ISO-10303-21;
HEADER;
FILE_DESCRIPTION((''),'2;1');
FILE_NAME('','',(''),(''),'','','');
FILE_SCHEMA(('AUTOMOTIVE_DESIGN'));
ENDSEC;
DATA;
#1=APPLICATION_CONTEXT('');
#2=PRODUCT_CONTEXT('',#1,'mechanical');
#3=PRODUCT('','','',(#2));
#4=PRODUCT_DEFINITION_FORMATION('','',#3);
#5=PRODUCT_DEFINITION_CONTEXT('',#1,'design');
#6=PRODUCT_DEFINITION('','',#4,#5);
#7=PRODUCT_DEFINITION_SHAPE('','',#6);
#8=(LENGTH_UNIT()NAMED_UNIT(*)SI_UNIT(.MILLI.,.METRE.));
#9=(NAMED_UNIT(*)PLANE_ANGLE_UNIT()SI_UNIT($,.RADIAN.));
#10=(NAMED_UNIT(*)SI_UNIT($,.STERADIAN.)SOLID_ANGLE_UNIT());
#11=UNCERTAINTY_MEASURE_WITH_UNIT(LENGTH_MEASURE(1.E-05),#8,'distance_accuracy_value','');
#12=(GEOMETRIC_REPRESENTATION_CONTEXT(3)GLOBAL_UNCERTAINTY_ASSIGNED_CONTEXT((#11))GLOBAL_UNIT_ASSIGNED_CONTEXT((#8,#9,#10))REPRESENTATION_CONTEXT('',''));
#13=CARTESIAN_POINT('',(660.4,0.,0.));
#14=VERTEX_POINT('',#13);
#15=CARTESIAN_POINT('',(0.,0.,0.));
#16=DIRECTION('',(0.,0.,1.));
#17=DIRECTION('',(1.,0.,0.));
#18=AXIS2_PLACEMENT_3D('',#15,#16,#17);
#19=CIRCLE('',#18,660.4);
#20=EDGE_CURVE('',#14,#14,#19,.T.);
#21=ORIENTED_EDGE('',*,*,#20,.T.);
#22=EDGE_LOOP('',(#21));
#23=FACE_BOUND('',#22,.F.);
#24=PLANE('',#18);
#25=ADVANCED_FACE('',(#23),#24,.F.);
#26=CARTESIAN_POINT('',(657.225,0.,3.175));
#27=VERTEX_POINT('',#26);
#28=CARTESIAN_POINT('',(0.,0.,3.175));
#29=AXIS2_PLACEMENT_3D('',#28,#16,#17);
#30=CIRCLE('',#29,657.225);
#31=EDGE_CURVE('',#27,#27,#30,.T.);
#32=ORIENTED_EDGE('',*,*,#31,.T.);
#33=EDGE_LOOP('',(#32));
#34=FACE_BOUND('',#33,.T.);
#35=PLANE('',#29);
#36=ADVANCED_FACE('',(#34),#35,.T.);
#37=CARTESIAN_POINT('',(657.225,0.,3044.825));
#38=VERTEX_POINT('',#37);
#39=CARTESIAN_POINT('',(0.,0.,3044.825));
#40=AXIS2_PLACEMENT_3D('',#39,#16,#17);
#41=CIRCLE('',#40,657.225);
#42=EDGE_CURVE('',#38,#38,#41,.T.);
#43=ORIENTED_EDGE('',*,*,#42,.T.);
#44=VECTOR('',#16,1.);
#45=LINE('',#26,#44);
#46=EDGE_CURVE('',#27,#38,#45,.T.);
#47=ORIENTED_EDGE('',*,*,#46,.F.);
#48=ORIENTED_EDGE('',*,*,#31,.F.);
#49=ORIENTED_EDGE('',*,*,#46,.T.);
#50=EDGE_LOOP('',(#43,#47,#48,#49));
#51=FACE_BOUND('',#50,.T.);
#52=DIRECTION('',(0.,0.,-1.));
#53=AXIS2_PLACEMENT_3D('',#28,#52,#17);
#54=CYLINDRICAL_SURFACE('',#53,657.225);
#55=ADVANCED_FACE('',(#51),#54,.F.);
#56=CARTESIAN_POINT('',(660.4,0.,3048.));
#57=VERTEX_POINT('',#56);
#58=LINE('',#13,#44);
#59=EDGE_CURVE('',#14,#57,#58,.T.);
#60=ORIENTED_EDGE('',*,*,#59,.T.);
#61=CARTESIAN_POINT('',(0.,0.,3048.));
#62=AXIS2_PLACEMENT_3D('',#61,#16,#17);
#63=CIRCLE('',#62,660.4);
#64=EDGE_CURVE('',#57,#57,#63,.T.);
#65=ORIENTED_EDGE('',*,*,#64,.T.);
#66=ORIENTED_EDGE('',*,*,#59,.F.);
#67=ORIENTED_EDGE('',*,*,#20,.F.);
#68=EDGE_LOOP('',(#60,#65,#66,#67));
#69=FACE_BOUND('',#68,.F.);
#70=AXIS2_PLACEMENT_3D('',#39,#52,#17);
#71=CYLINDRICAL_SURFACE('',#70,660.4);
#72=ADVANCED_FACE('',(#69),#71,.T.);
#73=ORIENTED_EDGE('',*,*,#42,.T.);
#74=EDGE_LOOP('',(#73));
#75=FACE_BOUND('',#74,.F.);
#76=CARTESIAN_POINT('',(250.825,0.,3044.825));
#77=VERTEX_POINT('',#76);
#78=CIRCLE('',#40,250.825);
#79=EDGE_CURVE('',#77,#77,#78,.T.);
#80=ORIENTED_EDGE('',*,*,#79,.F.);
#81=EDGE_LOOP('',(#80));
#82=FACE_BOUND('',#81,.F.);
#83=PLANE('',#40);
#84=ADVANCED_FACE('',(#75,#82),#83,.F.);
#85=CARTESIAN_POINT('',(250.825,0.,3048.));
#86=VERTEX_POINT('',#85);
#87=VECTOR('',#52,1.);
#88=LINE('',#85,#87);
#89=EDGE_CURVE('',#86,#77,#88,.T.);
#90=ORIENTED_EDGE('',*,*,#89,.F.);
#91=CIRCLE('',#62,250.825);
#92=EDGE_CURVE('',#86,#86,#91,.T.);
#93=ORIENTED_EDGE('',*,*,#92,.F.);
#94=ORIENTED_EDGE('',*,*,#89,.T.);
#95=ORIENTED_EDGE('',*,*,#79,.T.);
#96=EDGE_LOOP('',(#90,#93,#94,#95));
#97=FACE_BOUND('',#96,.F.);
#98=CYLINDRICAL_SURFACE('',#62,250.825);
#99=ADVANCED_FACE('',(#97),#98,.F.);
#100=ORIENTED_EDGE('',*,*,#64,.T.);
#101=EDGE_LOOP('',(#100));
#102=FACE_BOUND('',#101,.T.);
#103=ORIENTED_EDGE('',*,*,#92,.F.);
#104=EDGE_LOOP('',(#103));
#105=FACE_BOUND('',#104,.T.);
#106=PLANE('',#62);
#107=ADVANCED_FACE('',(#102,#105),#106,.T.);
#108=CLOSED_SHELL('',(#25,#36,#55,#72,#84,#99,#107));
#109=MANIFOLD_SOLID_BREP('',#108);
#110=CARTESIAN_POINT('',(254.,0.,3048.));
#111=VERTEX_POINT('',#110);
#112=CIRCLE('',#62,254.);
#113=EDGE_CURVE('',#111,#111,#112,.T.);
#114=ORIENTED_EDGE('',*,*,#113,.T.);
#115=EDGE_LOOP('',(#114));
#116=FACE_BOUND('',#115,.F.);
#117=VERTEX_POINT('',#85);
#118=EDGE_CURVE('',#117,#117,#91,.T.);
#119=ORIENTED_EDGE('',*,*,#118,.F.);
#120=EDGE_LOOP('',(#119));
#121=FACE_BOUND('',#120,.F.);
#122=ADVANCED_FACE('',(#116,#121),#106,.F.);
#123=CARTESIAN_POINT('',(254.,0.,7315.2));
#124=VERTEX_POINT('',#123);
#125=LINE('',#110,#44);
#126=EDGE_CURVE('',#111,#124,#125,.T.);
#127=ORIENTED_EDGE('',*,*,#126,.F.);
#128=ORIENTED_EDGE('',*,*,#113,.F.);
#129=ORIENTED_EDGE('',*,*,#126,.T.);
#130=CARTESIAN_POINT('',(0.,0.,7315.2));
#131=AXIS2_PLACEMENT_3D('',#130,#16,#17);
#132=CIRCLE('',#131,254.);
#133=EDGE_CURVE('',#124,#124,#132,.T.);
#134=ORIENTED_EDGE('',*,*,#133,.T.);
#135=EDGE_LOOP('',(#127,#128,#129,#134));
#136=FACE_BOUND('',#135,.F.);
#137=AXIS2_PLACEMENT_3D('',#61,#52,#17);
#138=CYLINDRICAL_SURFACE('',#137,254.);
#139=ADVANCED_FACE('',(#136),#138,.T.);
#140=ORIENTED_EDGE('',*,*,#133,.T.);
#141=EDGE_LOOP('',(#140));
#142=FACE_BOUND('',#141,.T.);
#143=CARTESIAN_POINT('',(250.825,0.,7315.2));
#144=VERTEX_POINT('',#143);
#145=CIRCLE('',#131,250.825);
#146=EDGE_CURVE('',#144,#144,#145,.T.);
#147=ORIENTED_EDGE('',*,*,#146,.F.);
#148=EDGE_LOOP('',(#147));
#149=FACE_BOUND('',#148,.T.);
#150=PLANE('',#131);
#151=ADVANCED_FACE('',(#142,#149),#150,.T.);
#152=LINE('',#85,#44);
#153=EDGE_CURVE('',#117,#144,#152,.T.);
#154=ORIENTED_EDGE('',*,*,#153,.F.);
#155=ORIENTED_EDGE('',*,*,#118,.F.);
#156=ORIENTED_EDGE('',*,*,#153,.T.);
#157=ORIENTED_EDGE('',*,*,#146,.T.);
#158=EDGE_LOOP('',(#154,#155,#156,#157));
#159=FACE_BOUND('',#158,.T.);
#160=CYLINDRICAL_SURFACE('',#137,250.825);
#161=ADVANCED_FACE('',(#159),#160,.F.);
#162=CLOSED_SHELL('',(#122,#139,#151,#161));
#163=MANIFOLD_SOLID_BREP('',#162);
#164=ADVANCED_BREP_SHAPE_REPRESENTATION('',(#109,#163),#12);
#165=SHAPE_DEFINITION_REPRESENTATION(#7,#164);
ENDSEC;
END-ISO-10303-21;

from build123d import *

# Parameters (mm, degrees)
F0_R     = 660.4
F1_DEPTH = 3.175
F2_R     = 660.4
F2_R_2   = 657.225
F3_DEPTH = 3041.65
F4_R     = 660.4
F4_R_2   = 657.225
F5_DEPTH = 3.175
F6_R     = 250.825
F7_DEPTH = 3.175
F6_R_2   = 254
F8_DEPTH = 4267.2


with BuildPart() as f1:
    # F0 (on Top) → F1 (new body)
    with BuildSketch(Plane.XY):
        Circle(F0_R)
    extrude(amount=F1_DEPTH)

    # F2 (on face) → F3 (join)
    with BuildSketch(Plane.XY.offset(3.175)):
        Circle(F2_R)
        Circle(F2_R_2, mode=Mode.SUBTRACT)
    extrude(amount=F3_DEPTH)

    # F4 (on face) → F5 (join)
    with BuildSketch(Plane.XY.offset(3044.825)):
        Circle(F4_R)
        Circle(F4_R_2, mode=Mode.SUBTRACT)
        Circle(F4_R_2)
    extrude(amount=F5_DEPTH)

    # F6 (on face) → F7 (cut, through all)
    with BuildSketch(Plane.XY.offset(3048)):
        Circle(F6_R)
    extrude(amount=-F7_DEPTH, mode=Mode.SUBTRACT)


with BuildPart() as f8:
    # F6 (on face) → F8 (new body)
    with BuildSketch(Plane.XY.offset(3048)):
        Circle(F6_R_2)
        Circle(F6_R, mode=Mode.SUBTRACT)
    extrude(amount=F8_DEPTH)


solid = Compound([f1.part, f8.part])
